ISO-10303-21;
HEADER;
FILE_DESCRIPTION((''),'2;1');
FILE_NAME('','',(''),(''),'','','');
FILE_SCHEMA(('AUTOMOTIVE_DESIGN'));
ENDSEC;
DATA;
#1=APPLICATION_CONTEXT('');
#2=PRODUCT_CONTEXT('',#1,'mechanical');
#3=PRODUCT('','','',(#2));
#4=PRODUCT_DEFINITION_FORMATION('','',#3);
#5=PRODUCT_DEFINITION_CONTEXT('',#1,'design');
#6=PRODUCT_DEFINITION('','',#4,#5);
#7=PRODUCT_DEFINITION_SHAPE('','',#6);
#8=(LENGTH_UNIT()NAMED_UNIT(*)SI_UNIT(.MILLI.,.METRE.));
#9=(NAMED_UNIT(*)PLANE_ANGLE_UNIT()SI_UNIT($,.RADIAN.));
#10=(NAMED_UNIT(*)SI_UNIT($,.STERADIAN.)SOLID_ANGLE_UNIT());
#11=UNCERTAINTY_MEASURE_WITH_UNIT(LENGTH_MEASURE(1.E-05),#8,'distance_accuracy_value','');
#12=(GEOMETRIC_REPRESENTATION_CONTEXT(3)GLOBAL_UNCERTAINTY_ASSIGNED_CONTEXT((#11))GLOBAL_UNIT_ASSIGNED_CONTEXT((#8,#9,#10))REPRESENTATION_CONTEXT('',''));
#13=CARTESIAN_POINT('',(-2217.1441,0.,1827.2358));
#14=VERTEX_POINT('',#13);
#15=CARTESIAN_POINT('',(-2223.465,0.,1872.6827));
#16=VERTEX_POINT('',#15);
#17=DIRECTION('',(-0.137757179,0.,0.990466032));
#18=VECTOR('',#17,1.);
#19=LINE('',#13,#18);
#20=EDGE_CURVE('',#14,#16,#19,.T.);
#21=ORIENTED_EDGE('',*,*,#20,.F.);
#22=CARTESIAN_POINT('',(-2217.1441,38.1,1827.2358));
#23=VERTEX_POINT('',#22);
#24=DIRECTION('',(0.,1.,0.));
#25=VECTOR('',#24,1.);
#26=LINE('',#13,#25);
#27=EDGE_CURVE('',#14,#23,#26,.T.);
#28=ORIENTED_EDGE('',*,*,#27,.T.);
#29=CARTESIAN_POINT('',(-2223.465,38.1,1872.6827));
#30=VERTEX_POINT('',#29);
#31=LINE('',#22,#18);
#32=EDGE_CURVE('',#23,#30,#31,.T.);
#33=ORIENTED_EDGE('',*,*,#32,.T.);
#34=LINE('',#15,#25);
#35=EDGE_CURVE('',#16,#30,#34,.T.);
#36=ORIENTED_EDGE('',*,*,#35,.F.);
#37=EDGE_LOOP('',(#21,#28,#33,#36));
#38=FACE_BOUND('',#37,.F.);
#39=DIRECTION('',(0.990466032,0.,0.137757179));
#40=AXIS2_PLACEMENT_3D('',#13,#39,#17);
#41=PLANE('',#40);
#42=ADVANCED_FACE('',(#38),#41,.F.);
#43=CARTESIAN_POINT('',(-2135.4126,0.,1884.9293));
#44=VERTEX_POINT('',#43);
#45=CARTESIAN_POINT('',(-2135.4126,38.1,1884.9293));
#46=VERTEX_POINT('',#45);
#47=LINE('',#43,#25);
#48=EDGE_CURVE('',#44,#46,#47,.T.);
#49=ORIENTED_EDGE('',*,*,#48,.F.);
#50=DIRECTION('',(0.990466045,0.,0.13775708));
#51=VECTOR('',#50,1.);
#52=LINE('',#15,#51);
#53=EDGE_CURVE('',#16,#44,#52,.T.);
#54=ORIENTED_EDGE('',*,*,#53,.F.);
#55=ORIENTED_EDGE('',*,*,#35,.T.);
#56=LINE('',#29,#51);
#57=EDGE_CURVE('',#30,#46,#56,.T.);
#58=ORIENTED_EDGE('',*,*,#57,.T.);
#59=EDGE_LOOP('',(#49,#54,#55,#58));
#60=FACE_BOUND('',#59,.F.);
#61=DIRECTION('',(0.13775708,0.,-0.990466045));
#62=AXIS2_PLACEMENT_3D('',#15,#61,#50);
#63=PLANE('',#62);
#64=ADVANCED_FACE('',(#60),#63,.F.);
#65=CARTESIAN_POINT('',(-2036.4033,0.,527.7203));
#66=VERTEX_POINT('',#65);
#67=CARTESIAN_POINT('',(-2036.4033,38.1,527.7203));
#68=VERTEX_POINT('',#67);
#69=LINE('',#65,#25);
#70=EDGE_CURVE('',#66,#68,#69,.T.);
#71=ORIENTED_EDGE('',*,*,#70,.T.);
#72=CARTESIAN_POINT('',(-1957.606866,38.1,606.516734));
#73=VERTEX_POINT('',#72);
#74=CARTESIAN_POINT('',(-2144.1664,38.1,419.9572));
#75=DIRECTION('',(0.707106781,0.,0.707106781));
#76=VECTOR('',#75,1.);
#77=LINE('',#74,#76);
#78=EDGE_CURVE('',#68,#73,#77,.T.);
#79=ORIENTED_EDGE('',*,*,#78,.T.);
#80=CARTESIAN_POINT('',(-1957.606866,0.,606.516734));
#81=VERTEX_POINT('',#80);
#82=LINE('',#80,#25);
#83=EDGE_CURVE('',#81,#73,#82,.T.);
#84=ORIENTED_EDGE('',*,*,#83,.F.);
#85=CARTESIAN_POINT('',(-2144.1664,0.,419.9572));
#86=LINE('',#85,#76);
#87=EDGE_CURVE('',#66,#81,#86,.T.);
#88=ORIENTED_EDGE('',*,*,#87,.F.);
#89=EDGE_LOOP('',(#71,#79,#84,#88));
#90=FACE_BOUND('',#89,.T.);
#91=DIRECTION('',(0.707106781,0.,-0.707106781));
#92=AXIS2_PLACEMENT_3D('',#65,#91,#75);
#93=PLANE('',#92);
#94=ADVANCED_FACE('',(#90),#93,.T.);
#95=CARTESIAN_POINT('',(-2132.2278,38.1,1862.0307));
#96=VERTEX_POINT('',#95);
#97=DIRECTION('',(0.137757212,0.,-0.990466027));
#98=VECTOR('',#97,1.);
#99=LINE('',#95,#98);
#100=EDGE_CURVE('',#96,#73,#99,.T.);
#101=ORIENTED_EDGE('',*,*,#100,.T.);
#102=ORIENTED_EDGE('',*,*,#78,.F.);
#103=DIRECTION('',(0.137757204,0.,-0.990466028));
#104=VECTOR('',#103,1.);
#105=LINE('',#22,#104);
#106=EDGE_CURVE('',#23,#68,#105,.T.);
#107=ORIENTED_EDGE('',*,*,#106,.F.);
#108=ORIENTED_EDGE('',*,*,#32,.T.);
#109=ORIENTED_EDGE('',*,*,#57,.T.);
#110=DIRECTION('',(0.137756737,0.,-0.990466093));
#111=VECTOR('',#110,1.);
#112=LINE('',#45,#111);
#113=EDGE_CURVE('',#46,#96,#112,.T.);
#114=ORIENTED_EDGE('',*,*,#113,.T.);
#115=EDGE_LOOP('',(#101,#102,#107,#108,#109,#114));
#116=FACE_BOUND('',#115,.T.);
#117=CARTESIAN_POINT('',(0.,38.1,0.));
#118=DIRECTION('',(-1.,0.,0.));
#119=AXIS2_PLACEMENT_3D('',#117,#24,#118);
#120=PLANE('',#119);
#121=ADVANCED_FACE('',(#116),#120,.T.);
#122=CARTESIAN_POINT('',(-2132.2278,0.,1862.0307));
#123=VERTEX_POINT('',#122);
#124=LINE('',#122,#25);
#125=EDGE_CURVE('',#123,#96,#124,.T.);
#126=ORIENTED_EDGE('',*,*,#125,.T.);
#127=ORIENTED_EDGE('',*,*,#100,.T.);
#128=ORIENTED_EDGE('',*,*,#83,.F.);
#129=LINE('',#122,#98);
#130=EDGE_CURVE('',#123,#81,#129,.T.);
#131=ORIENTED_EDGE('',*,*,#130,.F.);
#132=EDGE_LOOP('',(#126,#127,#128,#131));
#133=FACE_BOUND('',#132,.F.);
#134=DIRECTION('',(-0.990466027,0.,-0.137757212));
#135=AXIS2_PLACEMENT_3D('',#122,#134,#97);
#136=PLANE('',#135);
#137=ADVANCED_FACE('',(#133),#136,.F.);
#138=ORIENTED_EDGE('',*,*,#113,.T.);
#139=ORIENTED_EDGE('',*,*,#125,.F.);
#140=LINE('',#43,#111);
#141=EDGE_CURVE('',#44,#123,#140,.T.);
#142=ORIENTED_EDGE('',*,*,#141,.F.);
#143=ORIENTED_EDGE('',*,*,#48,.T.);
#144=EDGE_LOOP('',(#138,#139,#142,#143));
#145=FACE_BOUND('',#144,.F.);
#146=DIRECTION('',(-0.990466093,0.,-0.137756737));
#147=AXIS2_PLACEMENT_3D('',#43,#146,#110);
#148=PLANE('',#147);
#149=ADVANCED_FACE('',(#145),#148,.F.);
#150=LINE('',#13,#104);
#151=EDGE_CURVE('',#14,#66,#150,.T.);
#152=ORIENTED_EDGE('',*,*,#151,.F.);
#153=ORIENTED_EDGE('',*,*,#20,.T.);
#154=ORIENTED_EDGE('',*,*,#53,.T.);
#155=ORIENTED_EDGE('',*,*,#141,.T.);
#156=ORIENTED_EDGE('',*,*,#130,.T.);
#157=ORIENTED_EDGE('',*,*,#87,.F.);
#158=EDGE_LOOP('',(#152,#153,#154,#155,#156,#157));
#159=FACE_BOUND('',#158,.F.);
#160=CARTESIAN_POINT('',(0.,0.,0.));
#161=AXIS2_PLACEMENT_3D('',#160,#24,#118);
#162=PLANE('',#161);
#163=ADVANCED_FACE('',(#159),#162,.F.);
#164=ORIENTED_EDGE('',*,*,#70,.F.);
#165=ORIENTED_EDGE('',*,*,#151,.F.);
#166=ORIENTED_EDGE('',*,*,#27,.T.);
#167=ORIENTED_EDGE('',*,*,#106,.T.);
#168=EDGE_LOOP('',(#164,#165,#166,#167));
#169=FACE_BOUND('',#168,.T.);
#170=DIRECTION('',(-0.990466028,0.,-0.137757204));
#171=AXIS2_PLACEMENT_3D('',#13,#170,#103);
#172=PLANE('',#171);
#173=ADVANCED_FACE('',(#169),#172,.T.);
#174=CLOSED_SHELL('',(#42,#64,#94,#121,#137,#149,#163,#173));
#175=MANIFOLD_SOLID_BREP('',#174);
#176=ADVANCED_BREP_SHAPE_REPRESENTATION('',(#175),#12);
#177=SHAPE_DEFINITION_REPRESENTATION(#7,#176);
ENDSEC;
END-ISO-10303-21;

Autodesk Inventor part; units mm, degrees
ref_plane "YZ Plane" through (0, 0, 0) normal (1, 0, 0) x (0, 1, 0)
ref_plane "XZ Plane" through (0, 0, 0) normal (0, 1, 0) x (-1, 0, 0)
ref_plane "XY Plane" through (0, 0, 0) normal (0, 0, 1) x (1, 0, 0)
sketch "Sketch1" plane through (0, 0, 0) normal (0, 1, 0) x (-1, 0, 0)
  line L0 (0, 0) -> (0, -1219.2)
  line L1 (0, 0) -> (88.9, 0)
  line L2 (88.9, 0) -> (88.9, -1219.2)
  line L3 (88.9, -1219.2) -> (0, -1219.2)
  line L4 (0, 0) -> (0, 1219.2) construction
  line L5 (0, 1219.2) -> (1219.2, 1219.2) construction
  line L6 (0, 1219.2) -> (0, 3657.6) construction
  line L7 (0, 3657.6) -> (0, 4876.8) construction
  line L8 (0, 4876.8) -> (0, 6096) construction
  line L9 (0, -1219.2) -> (2438.4, -1219.2) construction
  line L10 (0, 6096) -> (2438.4, 6096) construction
  line L11 (2438.4, 6096) -> (2438.4, -1219.2) construction
  line L12 (0, 3657.6) -> (0, 3352.8) construction
  line L13 (0, 3352.8) -> (2438.4, 3352.8) construction
  line L14 (2438.4, 3352.8) -> (1219.2, 3352.8)
  line L15 (1219.2, 3352.8) -> (1219.2, 3263.9)
  line L16 (1219.2, 3263.9) -> (2438.4, 3263.9)
  line L17 (2438.4, 3263.9) -> (2438.4, 3352.8)
  line L18 (0, 6096) -> (862.1046, 6958.1046)
  line L19 (862.1046, 6958.1046) -> (924.9664, 6895.2428)
  line L20 (924.9664, 6895.2428) -> (62.8618, 6033.1382)
  line L21 (62.8618, 6033.1382) -> (0, 6096)
  line L22 (0, 4876.8) -> (1219.2, 4876.8) construction
  line L23 (1219.2, 4876.8) -> (2081.3046, 5738.9046)
  line L24 (1219.2, 1219.2) -> (2081.3046, 357.0954)
  line L25 (2081.3046, 357.0954) -> (2018.4428, 294.2336)
  line L26 (2018.4428, 294.2336) -> (1156.3382, 1156.3382)
  line L27 (1156.3382, 1156.3382) -> (1219.2, 1219.2)
  line L28 (2018.4428, 294.2336) -> (88.9, -1219.2)
  line L29 (2081.3046, 357.0954) -> (2144.1664, 419.9572)
  line L30 (2144.1664, 419.9572) -> (1282.0618, 1282.0618)
  line L31 (1282.0618, 1282.0618) -> (1219.2, 1219.2)
  line L32 (2438.4, 3352.8) -> (2438.4, 3441.7)
  line L33 (2438.4, 3441.7) -> (1219.2, 3441.7)
  line L34 (1219.2, 3441.7) -> (1219.2, 3352.8)
  line L35 (1156.3382, 4939.6618) -> (1282.0618, 4813.9382)
  line L36 (2018.4428, 5801.7664) -> (2144.1664, 5676.0428)
  line L37 (1282.0618, 4813.9382) -> (2144.1664, 5676.0428)
  line L38 (2018.4428, 5801.7664) -> (1156.3382, 4939.6618)
  line L39 (2018.4428, 5801.7664) -> (924.9664, 6895.2428)
  line L40 (62.8618, 6033.1382) -> (1156.3382, 4939.6618)
  line L41 (1233.6206, 4168.8855) -> (1267.6412, 4086.7527)
  line L42 (1263.7078, 2313.9849) -> (1230.0006, 2231.7229)
  arc A0 (862.1046, 6958.1046) -> (0, 6096) centre (431.0523, 6527.0523) ccw
  line L43 (1246.8542, 2272.8539) -> (2375.0183, 1810.583)
  line L44 (2391.8719, 1851.7139) -> (2358.1646, 1769.452)
  line L45 (2391.8719, 1851.7139) -> (1263.7078, 2313.9849)
  line L46 (1230.0006, 2231.7229) -> (2358.1646, 1769.452)
  line L47 (1230.0006, 2231.7229) -> (1219.2, 3263.9)
  line L48 (2144.1664, 419.9572) -> (2391.8719, 1851.7139)
  line L49 (2391.8719, 1851.7139) -> (2438.4, 3263.9)
  line L50 (1219.2, 3441.7) -> (1233.6206, 4168.8855)
  line L51 (1250.6309, 4127.8191) -> (2377.0248, 4594.3867)
  line L52 (2360.0145, 4635.4532) -> (2394.0351, 4553.3203)
  line L53 (2394.0351, 4553.3203) -> (1267.6412, 4086.7527)
  line L54 (2360.0145, 4635.4532) -> (1233.6206, 4168.8855)
  line L55 (2394.0351, 4553.3203) -> (2144.1664, 5676.0428)
  line L56 (2438.4, 3441.7) -> (2394.0351, 4553.3203)
  line L57 (2144.1664, 5676.0428) -> (2057.3895, 5656.7301)
  line L58 (2394.0351, 4553.3203) -> (2305.2058, 4549.7751)
  line L59 (2394.0351, 4553.3203) -> (2307.2582, 4534.0076)
  line L60 (2307.2582, 4534.0076) -> (2057.3895, 5656.7301)
  line L61 (2438.4, 3441.7) -> (2349.5707, 3438.1548)
  line L62 (2349.5707, 3438.1548) -> (2305.2058, 4549.7751)
  line L63 (1219.2, 3441.7) -> (1308.0825, 3439.9374)
  line L64 (1233.6206, 4168.8855) -> (1322.5031, 4167.1229)
  line L65 (1322.5031, 4167.1229) -> (1308.0825, 3439.9374)
  line L66 (2018.4428, 5801.7664) -> (1955.581, 5738.9046)
  line L67 (1955.581, 5738.9046) -> (862.1046, 6832.381)
  line L68 (924.9664, 6895.2428) -> (862.1046, 6832.381)
  line L69 (62.8618, 6033.1382) -> (125.7236, 6096)
  line L70 (62.8618, 6033.1382) -> (125.7236, 6096)
  line L71 (125.7236, 6096) -> (1219.2, 5002.5236)
  line L72 (1156.3382, 1156.3382) -> (0, 0)
  line L73 (0, 0) -> (62.8618, -62.8618)
  line L74 (1156.3382, 1156.3382) -> (1219.2, 1093.4764)
  line L75 (1219.2, 1093.4764) -> (62.8618, -62.8618)
  line L76 (2018.4428, 294.2336) -> (1963.5776, 364.1837)
  line L77 (88.9, -1219.2) -> (34.0348, -1149.2499)
  line L78 (34.0348, -1149.2499) -> (1963.5776, 364.1837)
  line L79 (2144.1664, 419.9572) -> (2056.5677, 435.1125)
  line L80 (2391.8719, 1851.7139) -> (2304.2732, 1866.8692)
  line L81 (2391.8719, 1851.7139) -> (2303.0201, 1854.6414)
  line L82 (2304.2732, 1866.8692) -> (2056.5677, 435.1125)
  line L83 (1230.0006, 2231.7229) -> (1318.8957, 2232.6531)
  line L84 (1219.2, 3263.9) -> (1308.0951, 3264.8302)
  line L85 (1308.0951, 3264.8302) -> (1318.8957, 2232.6531)
  line L86 (2438.4, 3263.9) -> (2349.5482, 3266.8275)
  line L87 (2349.5482, 3266.8275) -> (2303.0201, 1854.6414)
  line L88 (88.9, 0) -> (125.7236, 0)
  line L89 (1233.6206, 4168.8855) -> (1219.2, 4876.8)
  line L90 (1233.6206, 4168.8855) -> (1322.5022, 4170.6961)
  line L91 (1219.2, 4876.8) -> (1308.0816, 4878.6106)
  line L92 (1308.0816, 4878.6106) -> (1322.5022, 4170.6961)
  line L93 (1282.0618, 4813.9382) -> (1309.9674, 4786.0326)
  line L94 (1267.6412, 4086.7527) -> (1318.4756, 3964.0275)
  line L95 (2360.0145, 4635.4532) -> (2374.4273, 4641.4231)
  line L96 (1230.0006, 2231.7229) -> (1219.2, 1219.2)
  line L97 (1230.0006, 2231.7229) -> (1318.8955, 2230.7747)
  line L98 (1219.2, 1219.2) -> (1308.0949, 1218.2518)
  line L99 (1308.0949, 1218.2518) -> (1318.8955, 2230.7747)
  line L100 (1282.0618, 1282.0618) -> (1309.0636, 1309.0636)
  line L101 (1263.7078, 2313.9849) -> (1316.7428, 2438.4)
  line L102 (2358.1646, 1769.452) -> (2376.5379, 1763.082)
  line L103 (2286, 3352.8) -> (1371.6, 3352.8)
  line L104 (2286, 3441.7) -> (2286, 3263.9)
  line L105 (1371.6, 3441.7) -> (1371.6, 3263.9)
  line L106 (0, -152.4) -> (0, -1066.8)
  line L107 (0, -152.4) -> (88.9, -152.4)
  line L108 (0, -1066.8) -> (88.9, -1066.8)
  line L109 (1326.9631, 1111.4369) -> (1973.5415, 464.8585)
  line L110 (2036.4033, 527.7203) -> (1910.6797, 401.9967)
  line L111 (1389.8249, 1174.2987) -> (1264.1013, 1048.5751)
  line L112 (2233.9978, 1868.3668) -> (1387.8747, 2215.07)
  line L113 (1404.7283, 2256.201) -> (1371.0211, 2173.939)
  line L114 (2250.8514, 1909.4978) -> (2217.1441, 1827.2358)
  line L115 (1371.0211, 2173.939) -> (1389.8249, 1174.2987)
  line L116 (1264.1013, 1048.5751) -> (88.9, -152.4)
  line L117 (2217.1441, 1827.2358) -> (2036.4033, 527.7203)
  line L118 (1910.6797, 401.9967) -> (88.9, -1066.8)
  line L119 (88.9, -1066.8) -> (33.1016, -997.592)
  line L120 (1910.6797, 401.9967) -> (1854.8813, 471.2047)
  line L121 (1854.8813, 471.2047) -> (33.1016, -997.592)
  line L122 (88.9, -152.4) -> (0, -243.2497)
  line L123 (0, -243.2497) -> (63.5399, -305.426)
  line L124 (1263.7078, 1048.9686) -> (1327.2477, 986.7923)
  line L125 (1327.2477, 986.7923) -> (88.9, -278.7141)
  line L126 (1389.8249, 1174.2987) -> (1392.2351, 1046.1649)
  line L127 (1392.2351, 1046.1649) -> (1481.1194, 1047.8368)
  line L128 (1371.0211, 2173.939) -> (1459.9053, 2175.611)
  line L129 (1459.9053, 2175.611) -> (1481.1194, 1047.8368)
  line L130 (2036.4033, 527.7203) -> (1948.3509, 539.9669)
  line L131 (2217.1441, 1827.2358) -> (2223.465, 1872.6827)
  line L132 (2223.465, 1872.6827) -> (2135.4126, 1884.9293)
  line L133 (2135.4126, 1884.9293) -> (2132.2278, 1862.0307)
  line L134 (88.9, -278.7141) -> (63.1422, -305.0368)
  line L135 (2132.2278, 1862.0307) -> (1948.3509, 539.9669)
  point P0 (1955.1236, 357.5528)
  point P1 (88.9, -1106.2164)
  point P2 (2292.1025, 1796.5213)
  point P3 (2067.2525, 496.8711)
  point P4 (1318.5187, 2195.4522)
  point P5 (1308.1049, 3263.9)
  point P6 (2349.4518, 3263.9)
  point P7 (2304.1085, 1887.6754)
  point P8 (2306.5112, 4517.0667)
  point P9 (2349.4292, 3441.7)
  point P10 (1308.1175, 3441.7)
  point P11 (2069.6708, 5601.5472)
  point P12 (2291.0394, 4606.8827)
  point P13 (1321.7951, 4205.4086)
  point P14 (1828.8, 3352.8)
  point P15 (0, -609.6)
  point P16 (1650.2523, 788.1477)
  point P17 (1810.9362, 2041.7184)
  point P18 (88.9, -278.7141)
  point P19 (1326.5733, 986.1031)
  point P20 (1957.6068, 606.5167)
  point P21 (1957.6068, 606.5167)
  dimension "d0" = 1219.2
  dimension "d2" = 1219.2
  dimension "d3" = 1219.2
  dimension "d16" = 2438.4
  dimension "d17" = 1219.2
  dimension "d18" = 1219.2
  dimension "d20" = 2438.4
  dimension "d21" = 304.8
  dimension "d22" = 1219.2
  dimension "d23" = 88.9
  dimension "d24" = 1219.2
  dimension "d25" = 45
  dimension "d26" = 88.9
  dimension "d27" = 1219.2
  dimension "d28" = 1219.2
  dimension "d29" = 1219.2
  dimension "d31" = 1219.2
  dimension "d32" = 88.9
  dimension "d33" = 88.9
  dimension "d34" = 88.9
  dimension "d35" = 177.8
  dimension "d36" = 177.8
  dimension "d38" = 88.9
  dimension "d39" = 88.9
  dimension "d43" = 1219.2
  dimension "d44" = 88.9
  dimension "d45" = 1219.2
  dimension "d46" = 88.9
  dimension "d47" = 88.9
  dimension "d48" = 88.9
  dimension "d49" = 88.9
  dimension "d50" = 88.9
  dimension "d51" = 88.9
  dimension "d54" = 88.9
  dimension "d55" = 88.9
  dimension "d57" = 88.9
  dimension "d58" = 88.9
  dimension "d59" = 88.9
  dimension "d60" = 88.9
  dimension "d61" = 88.9
  dimension "d64" = 88.9
  dimension "d65" = 88.9
  dimension "d66" = 88.9
  dimension "d69" = 88.9
  dimension "d70" = 88.9
  dimension "d71" = 88.9
  dimension "d72" = 88.9
  dimension "d73" = 914.4
  dimension "d74" = 914.4
  dimension "d75" = 914.4
  dimension "d76" = 914.4
  dimension "d77" = 88.9
  dimension "d78" = 88.9
  dimension "d79" = 88.9
  dimension "d80" = 88.9
  dimension "d83" = 88.9
  dimension "d84" = 88.9
  dimension "d85" = 88.9
  dimension "d86" = 88.9
extrude "Extrusion2" add sketch "Sketch1" along normal blind 38.1 contours L30 L135 L46 L117 | L46 L133 L132 L131
properties part number "S_2x4x52.551"
